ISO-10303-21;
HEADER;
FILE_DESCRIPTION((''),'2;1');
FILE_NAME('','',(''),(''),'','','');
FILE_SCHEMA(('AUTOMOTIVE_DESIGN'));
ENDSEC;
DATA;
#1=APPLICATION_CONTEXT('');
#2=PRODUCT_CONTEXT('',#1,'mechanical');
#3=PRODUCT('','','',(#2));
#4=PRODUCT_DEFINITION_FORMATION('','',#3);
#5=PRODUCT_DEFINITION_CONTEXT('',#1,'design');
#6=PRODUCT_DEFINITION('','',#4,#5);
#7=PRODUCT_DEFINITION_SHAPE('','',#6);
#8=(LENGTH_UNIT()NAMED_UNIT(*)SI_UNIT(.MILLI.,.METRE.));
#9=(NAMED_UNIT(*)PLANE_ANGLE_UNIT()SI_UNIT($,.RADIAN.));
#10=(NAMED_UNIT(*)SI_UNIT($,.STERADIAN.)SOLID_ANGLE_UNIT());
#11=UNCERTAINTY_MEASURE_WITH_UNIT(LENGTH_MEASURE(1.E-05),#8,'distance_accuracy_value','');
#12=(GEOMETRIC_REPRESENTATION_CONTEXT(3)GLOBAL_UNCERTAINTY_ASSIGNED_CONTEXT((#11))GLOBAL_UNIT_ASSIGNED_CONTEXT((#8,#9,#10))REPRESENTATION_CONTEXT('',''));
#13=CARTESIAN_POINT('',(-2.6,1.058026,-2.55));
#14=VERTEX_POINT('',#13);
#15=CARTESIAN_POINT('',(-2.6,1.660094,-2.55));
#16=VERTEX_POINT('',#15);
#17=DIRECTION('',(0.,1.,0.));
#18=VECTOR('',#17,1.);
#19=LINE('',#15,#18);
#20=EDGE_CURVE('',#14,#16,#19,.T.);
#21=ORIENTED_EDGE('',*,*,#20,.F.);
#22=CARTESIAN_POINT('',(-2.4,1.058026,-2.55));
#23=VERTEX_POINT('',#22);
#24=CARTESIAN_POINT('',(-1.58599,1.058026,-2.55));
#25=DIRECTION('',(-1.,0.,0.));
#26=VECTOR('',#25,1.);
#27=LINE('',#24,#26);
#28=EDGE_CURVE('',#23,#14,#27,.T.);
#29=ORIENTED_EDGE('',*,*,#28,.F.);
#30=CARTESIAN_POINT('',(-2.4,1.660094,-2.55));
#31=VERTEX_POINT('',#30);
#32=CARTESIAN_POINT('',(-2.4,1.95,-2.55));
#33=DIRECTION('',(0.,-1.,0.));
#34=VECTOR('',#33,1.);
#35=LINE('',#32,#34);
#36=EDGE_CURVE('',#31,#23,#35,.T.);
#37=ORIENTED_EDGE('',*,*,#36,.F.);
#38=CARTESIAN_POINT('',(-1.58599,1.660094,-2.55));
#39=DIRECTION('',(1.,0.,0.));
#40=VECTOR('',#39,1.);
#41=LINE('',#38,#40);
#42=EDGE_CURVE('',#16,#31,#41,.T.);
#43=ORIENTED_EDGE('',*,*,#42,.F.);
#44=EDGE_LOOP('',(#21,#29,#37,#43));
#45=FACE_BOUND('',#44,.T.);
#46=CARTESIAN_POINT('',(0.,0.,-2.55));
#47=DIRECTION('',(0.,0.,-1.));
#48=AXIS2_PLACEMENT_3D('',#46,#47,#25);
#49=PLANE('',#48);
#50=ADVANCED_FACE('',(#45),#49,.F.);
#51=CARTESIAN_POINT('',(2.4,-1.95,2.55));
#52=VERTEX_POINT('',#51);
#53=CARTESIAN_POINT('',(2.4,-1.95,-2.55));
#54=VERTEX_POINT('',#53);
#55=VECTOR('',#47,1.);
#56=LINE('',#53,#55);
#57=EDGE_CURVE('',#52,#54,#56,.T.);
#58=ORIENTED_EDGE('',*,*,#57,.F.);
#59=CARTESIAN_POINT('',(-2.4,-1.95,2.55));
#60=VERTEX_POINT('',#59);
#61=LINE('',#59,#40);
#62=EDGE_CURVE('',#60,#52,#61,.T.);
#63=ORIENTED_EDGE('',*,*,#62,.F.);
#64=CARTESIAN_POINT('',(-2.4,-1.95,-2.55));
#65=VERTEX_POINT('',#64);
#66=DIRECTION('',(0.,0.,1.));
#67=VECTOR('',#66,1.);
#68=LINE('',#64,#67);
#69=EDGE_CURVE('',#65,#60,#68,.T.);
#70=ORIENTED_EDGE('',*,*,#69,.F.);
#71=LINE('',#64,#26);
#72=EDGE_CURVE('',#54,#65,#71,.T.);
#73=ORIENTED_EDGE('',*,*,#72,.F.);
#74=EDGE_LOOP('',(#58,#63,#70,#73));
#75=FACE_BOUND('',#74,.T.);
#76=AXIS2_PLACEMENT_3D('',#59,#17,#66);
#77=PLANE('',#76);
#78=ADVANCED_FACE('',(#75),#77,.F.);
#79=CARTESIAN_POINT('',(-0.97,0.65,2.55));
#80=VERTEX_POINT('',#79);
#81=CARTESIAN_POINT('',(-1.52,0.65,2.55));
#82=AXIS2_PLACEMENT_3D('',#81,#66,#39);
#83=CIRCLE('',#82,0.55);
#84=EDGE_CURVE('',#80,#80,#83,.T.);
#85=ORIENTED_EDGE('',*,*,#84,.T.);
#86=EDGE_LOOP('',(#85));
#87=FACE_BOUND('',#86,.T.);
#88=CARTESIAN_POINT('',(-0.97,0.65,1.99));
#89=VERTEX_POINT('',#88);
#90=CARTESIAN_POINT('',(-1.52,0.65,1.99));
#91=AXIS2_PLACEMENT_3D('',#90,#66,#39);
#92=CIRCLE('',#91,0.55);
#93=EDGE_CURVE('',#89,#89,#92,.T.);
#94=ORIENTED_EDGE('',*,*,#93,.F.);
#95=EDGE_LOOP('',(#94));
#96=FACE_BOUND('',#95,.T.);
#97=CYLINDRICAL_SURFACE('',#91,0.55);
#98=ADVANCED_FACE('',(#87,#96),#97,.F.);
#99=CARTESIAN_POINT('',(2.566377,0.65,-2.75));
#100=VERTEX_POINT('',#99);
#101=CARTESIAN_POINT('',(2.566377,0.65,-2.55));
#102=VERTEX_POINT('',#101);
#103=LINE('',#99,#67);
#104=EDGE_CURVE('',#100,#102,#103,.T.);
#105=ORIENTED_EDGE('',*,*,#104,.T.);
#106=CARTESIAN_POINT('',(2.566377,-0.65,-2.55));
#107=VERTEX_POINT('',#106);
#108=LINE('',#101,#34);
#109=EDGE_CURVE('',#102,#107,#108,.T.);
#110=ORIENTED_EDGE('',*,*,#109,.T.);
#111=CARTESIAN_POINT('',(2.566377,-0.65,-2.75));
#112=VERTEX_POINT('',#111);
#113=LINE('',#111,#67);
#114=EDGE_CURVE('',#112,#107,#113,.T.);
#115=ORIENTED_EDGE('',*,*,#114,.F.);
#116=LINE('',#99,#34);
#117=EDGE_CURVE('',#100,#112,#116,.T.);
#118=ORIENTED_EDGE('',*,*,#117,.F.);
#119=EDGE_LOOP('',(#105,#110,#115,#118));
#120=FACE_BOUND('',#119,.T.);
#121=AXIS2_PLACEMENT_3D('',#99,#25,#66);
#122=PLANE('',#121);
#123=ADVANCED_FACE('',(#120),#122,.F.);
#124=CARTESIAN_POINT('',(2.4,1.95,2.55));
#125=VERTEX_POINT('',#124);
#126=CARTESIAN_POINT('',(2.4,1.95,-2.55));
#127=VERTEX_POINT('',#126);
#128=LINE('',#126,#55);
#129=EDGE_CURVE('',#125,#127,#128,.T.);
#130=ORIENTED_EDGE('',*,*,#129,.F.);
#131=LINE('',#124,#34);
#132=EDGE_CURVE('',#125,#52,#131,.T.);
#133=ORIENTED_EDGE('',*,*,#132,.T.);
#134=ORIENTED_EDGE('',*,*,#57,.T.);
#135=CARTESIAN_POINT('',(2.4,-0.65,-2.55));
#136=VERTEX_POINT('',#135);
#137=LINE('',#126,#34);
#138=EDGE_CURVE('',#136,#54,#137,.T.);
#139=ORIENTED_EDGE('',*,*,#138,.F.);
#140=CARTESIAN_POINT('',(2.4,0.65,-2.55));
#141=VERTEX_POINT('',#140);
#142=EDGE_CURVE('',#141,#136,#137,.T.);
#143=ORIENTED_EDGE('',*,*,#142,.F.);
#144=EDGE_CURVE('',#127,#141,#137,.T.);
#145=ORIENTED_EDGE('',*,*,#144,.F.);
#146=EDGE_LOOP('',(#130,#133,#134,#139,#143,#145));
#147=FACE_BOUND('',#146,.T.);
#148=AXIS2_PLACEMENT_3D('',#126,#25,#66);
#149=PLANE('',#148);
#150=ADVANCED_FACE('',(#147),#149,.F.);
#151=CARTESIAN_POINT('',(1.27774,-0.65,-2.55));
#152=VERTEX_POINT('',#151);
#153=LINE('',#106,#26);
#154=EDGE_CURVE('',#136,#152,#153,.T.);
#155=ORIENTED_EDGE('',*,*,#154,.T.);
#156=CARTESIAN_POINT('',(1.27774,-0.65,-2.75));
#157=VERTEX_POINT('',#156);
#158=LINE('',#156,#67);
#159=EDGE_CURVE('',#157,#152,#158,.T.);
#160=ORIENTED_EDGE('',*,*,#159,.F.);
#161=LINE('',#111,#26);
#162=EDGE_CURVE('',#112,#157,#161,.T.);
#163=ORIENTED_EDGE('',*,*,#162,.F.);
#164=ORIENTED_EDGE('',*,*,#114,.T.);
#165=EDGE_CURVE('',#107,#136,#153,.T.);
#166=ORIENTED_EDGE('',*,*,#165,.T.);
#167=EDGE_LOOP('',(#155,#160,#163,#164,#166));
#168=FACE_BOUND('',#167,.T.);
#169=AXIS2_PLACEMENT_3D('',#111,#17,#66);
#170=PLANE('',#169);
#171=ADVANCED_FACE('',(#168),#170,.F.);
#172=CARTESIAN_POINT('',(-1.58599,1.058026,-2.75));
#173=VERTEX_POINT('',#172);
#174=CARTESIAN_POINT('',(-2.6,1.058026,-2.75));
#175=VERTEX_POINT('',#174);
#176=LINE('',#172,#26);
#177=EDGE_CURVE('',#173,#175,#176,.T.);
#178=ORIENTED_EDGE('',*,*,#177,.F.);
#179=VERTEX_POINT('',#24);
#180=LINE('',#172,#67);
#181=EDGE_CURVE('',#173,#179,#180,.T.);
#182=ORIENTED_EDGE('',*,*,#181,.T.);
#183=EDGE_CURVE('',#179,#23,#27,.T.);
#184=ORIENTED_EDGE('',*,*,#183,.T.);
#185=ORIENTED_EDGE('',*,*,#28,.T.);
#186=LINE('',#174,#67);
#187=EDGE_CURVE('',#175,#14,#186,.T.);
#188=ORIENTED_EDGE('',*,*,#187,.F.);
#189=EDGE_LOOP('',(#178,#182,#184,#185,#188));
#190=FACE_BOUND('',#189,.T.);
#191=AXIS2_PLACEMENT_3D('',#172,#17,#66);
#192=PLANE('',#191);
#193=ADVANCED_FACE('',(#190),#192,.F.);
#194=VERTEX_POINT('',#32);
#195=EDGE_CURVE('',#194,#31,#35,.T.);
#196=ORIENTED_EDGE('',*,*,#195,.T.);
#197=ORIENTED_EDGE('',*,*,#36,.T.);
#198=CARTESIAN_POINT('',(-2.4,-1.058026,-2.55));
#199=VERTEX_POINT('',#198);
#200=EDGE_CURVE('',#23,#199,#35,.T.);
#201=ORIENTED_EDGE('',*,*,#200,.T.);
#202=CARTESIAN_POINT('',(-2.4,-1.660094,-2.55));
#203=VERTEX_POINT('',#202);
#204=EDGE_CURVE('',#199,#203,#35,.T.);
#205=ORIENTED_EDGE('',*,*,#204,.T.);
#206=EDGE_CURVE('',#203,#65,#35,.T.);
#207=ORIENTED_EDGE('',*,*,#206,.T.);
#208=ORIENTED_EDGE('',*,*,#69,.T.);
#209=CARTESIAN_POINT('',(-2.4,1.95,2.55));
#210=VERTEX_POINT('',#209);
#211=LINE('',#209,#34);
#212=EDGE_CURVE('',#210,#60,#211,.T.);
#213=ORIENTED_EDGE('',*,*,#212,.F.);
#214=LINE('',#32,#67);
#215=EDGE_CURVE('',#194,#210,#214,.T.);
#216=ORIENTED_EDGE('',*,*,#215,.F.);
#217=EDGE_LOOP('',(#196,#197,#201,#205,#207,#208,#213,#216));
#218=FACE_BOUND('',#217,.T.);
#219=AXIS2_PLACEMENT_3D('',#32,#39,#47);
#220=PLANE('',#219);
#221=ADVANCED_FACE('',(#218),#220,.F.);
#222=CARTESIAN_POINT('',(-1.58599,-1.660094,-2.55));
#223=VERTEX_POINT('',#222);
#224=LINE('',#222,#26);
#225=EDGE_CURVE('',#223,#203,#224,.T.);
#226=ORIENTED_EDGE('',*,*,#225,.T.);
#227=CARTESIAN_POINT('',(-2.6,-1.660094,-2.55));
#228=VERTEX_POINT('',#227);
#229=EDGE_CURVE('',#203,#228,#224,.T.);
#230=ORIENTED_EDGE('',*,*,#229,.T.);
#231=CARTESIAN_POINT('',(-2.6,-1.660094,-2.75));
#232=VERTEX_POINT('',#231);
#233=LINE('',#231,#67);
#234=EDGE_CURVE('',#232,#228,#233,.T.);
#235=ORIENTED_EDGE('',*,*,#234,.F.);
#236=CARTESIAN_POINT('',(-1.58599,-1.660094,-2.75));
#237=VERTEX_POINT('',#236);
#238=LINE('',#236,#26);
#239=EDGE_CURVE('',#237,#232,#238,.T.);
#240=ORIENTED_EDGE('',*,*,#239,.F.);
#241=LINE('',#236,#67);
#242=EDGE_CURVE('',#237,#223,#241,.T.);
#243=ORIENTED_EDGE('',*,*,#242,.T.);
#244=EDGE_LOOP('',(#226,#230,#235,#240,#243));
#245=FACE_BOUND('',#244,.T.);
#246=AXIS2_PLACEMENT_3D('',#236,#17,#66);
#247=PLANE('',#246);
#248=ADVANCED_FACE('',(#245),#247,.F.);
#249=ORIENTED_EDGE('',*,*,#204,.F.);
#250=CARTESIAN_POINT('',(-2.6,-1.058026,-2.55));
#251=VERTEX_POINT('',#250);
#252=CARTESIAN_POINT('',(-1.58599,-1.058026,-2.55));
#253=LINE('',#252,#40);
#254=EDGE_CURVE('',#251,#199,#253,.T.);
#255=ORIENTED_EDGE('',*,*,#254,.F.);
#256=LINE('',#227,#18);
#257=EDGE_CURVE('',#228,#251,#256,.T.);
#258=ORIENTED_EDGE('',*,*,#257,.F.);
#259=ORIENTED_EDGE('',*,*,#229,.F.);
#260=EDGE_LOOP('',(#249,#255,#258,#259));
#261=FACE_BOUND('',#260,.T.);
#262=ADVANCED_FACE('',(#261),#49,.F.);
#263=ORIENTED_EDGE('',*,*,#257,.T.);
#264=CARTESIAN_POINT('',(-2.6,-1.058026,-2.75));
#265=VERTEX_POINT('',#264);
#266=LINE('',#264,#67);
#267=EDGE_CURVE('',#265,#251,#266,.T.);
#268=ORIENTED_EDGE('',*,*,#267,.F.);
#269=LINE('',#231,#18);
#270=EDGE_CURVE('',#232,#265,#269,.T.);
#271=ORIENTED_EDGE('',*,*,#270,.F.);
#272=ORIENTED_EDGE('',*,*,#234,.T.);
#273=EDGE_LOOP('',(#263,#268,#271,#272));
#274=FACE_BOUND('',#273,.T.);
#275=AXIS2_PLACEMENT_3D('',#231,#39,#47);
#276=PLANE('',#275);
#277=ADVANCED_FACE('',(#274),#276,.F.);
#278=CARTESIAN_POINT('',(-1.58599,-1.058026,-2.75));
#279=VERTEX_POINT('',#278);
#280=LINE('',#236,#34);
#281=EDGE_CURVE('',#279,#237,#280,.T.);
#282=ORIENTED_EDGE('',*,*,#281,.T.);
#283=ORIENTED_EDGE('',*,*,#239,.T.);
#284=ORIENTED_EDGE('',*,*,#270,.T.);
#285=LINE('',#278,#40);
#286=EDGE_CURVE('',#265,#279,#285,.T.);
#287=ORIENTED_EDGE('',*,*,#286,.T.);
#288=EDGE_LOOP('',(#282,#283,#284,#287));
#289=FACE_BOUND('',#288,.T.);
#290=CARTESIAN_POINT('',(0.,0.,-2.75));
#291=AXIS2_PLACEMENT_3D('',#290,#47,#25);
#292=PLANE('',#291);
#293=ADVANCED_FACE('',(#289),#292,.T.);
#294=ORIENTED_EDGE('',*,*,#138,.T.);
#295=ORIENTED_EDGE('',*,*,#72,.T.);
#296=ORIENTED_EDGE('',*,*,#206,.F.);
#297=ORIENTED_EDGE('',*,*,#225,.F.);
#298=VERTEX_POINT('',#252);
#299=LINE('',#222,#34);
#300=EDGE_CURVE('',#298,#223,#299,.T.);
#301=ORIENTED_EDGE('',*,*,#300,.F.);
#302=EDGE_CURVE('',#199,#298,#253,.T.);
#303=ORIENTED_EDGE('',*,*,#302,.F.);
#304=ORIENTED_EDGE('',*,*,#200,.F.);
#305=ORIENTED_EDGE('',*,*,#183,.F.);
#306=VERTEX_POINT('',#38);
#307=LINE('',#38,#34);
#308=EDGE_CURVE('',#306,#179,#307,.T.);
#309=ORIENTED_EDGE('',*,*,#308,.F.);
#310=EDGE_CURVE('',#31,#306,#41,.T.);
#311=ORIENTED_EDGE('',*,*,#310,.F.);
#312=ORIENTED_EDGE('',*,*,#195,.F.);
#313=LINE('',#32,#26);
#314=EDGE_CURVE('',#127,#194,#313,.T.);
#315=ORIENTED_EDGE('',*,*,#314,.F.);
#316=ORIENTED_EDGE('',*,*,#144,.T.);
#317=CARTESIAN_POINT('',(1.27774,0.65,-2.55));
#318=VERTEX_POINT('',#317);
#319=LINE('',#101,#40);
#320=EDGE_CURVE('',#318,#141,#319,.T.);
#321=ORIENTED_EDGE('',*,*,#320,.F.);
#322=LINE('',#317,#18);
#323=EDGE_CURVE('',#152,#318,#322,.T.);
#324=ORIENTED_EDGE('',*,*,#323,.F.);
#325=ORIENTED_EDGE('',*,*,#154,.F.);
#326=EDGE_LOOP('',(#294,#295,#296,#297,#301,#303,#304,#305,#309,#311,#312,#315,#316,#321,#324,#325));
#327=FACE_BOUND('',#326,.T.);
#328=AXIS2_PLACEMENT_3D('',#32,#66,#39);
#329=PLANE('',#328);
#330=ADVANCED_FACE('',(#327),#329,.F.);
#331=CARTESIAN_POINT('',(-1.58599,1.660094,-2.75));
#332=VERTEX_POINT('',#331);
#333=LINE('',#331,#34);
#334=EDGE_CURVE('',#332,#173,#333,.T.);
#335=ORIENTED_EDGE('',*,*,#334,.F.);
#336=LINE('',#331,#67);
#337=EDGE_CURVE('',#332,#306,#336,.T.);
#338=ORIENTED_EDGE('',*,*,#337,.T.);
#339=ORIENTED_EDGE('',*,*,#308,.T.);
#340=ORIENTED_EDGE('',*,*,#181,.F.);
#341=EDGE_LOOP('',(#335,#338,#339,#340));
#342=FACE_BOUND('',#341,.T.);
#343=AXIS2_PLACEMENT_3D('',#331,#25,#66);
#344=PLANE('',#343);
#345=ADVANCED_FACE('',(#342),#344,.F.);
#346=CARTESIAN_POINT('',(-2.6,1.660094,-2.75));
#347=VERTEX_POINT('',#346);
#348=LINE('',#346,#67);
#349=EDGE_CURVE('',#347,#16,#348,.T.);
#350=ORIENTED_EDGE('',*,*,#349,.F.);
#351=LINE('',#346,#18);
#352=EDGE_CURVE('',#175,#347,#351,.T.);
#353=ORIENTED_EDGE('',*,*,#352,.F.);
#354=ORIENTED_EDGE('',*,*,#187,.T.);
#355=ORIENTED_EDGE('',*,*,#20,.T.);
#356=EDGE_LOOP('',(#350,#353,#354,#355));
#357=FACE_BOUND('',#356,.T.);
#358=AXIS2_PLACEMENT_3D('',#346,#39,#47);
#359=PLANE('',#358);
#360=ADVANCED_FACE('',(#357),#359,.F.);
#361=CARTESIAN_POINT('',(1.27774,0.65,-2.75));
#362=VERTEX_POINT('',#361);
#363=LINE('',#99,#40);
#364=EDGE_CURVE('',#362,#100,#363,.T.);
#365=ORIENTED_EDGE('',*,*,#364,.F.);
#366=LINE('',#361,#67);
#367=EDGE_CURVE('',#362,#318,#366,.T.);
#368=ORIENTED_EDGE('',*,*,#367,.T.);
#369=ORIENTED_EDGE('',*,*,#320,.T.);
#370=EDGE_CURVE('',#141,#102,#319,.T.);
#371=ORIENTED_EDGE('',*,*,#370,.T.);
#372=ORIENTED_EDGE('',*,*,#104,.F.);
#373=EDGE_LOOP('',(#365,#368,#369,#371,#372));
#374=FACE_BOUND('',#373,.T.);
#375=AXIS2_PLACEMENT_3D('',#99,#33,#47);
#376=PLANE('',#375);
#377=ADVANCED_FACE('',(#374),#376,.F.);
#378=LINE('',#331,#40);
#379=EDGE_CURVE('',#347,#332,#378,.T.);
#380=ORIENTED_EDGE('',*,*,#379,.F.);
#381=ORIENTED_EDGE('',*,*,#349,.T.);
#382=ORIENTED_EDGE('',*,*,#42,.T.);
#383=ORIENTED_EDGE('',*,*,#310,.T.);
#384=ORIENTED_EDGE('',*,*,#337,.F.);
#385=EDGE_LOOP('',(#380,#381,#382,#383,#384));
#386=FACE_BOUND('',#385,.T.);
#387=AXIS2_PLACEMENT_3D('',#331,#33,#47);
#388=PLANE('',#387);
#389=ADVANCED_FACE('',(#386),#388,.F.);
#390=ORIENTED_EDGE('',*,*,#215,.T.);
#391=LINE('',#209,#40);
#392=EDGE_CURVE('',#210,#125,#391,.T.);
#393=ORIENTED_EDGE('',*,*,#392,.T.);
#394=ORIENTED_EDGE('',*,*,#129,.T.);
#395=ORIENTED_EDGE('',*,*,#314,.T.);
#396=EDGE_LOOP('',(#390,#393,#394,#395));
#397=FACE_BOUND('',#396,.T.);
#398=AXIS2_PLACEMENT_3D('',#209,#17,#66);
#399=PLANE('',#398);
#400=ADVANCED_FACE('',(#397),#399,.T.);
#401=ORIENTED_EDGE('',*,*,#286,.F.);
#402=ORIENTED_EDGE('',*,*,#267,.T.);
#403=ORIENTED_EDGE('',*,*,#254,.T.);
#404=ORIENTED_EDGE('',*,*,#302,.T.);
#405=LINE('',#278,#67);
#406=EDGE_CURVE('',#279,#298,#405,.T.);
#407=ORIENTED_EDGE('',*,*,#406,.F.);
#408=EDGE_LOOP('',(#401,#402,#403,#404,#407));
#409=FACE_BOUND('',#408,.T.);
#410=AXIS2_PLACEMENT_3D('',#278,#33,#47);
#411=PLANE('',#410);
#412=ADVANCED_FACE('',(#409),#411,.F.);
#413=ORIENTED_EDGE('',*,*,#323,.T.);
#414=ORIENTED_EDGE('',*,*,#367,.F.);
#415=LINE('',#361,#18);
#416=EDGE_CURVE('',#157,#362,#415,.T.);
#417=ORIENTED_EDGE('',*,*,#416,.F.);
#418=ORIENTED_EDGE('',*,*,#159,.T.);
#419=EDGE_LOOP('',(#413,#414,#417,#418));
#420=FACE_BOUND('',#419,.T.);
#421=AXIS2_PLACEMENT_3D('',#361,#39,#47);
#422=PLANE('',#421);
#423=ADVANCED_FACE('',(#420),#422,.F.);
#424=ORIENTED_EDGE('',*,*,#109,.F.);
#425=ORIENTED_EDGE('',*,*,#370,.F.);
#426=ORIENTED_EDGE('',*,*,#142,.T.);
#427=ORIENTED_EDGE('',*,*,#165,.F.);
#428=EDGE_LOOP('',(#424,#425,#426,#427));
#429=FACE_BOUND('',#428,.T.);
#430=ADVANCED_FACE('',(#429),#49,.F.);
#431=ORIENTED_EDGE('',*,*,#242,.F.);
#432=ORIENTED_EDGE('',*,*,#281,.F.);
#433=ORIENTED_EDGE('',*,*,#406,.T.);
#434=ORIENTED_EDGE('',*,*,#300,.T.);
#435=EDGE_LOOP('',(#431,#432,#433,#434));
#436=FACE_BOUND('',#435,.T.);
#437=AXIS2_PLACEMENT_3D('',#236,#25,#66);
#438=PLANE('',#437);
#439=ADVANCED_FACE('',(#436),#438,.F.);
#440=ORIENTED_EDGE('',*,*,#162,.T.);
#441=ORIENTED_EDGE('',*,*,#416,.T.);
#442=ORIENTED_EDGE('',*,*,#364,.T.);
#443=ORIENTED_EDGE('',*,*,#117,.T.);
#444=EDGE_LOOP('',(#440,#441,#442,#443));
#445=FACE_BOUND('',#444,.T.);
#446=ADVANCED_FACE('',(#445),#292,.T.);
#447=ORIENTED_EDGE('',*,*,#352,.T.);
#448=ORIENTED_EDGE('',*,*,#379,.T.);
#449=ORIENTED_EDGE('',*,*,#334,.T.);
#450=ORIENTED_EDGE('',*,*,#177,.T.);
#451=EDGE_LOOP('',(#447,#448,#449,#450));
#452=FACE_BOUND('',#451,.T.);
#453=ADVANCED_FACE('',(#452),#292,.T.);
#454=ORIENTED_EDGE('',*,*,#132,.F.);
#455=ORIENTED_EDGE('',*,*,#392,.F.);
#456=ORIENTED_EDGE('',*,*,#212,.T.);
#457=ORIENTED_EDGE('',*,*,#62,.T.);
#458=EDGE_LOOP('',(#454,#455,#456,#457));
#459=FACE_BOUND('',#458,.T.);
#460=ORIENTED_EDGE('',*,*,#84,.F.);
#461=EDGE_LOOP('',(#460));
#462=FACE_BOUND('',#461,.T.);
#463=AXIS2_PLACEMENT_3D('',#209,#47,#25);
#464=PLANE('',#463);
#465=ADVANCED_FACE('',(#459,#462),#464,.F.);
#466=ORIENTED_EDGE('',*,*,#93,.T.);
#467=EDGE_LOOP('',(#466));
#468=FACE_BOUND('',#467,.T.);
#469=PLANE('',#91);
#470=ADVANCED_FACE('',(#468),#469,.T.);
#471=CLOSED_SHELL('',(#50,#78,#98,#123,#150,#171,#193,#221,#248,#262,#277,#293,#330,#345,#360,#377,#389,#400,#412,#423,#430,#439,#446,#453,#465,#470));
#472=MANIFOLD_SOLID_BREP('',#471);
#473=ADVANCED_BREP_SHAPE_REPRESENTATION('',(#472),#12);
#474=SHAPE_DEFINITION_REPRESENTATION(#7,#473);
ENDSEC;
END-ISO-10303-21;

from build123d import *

# Parameters (mm, degrees)
EXTRUDE_1_DEPTH      = 1.95
EXTRUDE_1_DEPTH_BACK = 1.95
SKETCH_1_W           = 4.8
SKETCH_1_H           = 5.1
SKETCH_4_R           = 0.55
CUT_EXTRUDE_1_DEPTH  = 0.56
SKETCH_5_W           = 1.288637745
SKETCH_5_H           = 1.3
SKETCH_5_W_2         = 1.014010029
SKETCH_5_H_2         = 0.602068455
EXTRUDE_1_2_DEPTH    = 0.2


with BuildPart() as part:
    # 草图1 → Extrude 1 (new, two sides: drawn at the far end of the back side and taken through both)
    with BuildSketch(Plane(origin=(0, 0, 0), x_dir=(1, 0, 0), z_dir=(0, 1, 0)).offset(-EXTRUDE_1_DEPTH_BACK)):
        Rectangle(SKETCH_1_W, SKETCH_1_H)
    extrude(amount=EXTRUDE_1_DEPTH + EXTRUDE_1_DEPTH_BACK)

    # 草图4 → 切除-拉伸1 (cut)
    with BuildSketch(Plane.XY.offset(2.55)):
        with Locations((-1.52, 0.65)):
            Circle(SKETCH_4_R)
    extrude(amount=-CUT_EXTRUDE_1_DEPTH, mode=Mode.SUBTRACT)

    # 草图5 → Extrude 1 2 (add)
    with BuildSketch(Plane(origin=(0, 0, -2.55), x_dir=(-1, 0, 0), z_dir=(0, 0, -1))):
        with Locations((-1.922058583, 0)):
            Rectangle(SKETCH_5_W, SKETCH_5_H)
        with Locations((2.092994985, 1.359060107)):
            Rectangle(SKETCH_5_W_2, SKETCH_5_H_2)
        with Locations((2.092994985, -1.359060107)):
            Rectangle(SKETCH_5_W_2, SKETCH_5_H_2)
    extrude(amount=EXTRUDE_1_2_DEPTH)


solid = part.part
